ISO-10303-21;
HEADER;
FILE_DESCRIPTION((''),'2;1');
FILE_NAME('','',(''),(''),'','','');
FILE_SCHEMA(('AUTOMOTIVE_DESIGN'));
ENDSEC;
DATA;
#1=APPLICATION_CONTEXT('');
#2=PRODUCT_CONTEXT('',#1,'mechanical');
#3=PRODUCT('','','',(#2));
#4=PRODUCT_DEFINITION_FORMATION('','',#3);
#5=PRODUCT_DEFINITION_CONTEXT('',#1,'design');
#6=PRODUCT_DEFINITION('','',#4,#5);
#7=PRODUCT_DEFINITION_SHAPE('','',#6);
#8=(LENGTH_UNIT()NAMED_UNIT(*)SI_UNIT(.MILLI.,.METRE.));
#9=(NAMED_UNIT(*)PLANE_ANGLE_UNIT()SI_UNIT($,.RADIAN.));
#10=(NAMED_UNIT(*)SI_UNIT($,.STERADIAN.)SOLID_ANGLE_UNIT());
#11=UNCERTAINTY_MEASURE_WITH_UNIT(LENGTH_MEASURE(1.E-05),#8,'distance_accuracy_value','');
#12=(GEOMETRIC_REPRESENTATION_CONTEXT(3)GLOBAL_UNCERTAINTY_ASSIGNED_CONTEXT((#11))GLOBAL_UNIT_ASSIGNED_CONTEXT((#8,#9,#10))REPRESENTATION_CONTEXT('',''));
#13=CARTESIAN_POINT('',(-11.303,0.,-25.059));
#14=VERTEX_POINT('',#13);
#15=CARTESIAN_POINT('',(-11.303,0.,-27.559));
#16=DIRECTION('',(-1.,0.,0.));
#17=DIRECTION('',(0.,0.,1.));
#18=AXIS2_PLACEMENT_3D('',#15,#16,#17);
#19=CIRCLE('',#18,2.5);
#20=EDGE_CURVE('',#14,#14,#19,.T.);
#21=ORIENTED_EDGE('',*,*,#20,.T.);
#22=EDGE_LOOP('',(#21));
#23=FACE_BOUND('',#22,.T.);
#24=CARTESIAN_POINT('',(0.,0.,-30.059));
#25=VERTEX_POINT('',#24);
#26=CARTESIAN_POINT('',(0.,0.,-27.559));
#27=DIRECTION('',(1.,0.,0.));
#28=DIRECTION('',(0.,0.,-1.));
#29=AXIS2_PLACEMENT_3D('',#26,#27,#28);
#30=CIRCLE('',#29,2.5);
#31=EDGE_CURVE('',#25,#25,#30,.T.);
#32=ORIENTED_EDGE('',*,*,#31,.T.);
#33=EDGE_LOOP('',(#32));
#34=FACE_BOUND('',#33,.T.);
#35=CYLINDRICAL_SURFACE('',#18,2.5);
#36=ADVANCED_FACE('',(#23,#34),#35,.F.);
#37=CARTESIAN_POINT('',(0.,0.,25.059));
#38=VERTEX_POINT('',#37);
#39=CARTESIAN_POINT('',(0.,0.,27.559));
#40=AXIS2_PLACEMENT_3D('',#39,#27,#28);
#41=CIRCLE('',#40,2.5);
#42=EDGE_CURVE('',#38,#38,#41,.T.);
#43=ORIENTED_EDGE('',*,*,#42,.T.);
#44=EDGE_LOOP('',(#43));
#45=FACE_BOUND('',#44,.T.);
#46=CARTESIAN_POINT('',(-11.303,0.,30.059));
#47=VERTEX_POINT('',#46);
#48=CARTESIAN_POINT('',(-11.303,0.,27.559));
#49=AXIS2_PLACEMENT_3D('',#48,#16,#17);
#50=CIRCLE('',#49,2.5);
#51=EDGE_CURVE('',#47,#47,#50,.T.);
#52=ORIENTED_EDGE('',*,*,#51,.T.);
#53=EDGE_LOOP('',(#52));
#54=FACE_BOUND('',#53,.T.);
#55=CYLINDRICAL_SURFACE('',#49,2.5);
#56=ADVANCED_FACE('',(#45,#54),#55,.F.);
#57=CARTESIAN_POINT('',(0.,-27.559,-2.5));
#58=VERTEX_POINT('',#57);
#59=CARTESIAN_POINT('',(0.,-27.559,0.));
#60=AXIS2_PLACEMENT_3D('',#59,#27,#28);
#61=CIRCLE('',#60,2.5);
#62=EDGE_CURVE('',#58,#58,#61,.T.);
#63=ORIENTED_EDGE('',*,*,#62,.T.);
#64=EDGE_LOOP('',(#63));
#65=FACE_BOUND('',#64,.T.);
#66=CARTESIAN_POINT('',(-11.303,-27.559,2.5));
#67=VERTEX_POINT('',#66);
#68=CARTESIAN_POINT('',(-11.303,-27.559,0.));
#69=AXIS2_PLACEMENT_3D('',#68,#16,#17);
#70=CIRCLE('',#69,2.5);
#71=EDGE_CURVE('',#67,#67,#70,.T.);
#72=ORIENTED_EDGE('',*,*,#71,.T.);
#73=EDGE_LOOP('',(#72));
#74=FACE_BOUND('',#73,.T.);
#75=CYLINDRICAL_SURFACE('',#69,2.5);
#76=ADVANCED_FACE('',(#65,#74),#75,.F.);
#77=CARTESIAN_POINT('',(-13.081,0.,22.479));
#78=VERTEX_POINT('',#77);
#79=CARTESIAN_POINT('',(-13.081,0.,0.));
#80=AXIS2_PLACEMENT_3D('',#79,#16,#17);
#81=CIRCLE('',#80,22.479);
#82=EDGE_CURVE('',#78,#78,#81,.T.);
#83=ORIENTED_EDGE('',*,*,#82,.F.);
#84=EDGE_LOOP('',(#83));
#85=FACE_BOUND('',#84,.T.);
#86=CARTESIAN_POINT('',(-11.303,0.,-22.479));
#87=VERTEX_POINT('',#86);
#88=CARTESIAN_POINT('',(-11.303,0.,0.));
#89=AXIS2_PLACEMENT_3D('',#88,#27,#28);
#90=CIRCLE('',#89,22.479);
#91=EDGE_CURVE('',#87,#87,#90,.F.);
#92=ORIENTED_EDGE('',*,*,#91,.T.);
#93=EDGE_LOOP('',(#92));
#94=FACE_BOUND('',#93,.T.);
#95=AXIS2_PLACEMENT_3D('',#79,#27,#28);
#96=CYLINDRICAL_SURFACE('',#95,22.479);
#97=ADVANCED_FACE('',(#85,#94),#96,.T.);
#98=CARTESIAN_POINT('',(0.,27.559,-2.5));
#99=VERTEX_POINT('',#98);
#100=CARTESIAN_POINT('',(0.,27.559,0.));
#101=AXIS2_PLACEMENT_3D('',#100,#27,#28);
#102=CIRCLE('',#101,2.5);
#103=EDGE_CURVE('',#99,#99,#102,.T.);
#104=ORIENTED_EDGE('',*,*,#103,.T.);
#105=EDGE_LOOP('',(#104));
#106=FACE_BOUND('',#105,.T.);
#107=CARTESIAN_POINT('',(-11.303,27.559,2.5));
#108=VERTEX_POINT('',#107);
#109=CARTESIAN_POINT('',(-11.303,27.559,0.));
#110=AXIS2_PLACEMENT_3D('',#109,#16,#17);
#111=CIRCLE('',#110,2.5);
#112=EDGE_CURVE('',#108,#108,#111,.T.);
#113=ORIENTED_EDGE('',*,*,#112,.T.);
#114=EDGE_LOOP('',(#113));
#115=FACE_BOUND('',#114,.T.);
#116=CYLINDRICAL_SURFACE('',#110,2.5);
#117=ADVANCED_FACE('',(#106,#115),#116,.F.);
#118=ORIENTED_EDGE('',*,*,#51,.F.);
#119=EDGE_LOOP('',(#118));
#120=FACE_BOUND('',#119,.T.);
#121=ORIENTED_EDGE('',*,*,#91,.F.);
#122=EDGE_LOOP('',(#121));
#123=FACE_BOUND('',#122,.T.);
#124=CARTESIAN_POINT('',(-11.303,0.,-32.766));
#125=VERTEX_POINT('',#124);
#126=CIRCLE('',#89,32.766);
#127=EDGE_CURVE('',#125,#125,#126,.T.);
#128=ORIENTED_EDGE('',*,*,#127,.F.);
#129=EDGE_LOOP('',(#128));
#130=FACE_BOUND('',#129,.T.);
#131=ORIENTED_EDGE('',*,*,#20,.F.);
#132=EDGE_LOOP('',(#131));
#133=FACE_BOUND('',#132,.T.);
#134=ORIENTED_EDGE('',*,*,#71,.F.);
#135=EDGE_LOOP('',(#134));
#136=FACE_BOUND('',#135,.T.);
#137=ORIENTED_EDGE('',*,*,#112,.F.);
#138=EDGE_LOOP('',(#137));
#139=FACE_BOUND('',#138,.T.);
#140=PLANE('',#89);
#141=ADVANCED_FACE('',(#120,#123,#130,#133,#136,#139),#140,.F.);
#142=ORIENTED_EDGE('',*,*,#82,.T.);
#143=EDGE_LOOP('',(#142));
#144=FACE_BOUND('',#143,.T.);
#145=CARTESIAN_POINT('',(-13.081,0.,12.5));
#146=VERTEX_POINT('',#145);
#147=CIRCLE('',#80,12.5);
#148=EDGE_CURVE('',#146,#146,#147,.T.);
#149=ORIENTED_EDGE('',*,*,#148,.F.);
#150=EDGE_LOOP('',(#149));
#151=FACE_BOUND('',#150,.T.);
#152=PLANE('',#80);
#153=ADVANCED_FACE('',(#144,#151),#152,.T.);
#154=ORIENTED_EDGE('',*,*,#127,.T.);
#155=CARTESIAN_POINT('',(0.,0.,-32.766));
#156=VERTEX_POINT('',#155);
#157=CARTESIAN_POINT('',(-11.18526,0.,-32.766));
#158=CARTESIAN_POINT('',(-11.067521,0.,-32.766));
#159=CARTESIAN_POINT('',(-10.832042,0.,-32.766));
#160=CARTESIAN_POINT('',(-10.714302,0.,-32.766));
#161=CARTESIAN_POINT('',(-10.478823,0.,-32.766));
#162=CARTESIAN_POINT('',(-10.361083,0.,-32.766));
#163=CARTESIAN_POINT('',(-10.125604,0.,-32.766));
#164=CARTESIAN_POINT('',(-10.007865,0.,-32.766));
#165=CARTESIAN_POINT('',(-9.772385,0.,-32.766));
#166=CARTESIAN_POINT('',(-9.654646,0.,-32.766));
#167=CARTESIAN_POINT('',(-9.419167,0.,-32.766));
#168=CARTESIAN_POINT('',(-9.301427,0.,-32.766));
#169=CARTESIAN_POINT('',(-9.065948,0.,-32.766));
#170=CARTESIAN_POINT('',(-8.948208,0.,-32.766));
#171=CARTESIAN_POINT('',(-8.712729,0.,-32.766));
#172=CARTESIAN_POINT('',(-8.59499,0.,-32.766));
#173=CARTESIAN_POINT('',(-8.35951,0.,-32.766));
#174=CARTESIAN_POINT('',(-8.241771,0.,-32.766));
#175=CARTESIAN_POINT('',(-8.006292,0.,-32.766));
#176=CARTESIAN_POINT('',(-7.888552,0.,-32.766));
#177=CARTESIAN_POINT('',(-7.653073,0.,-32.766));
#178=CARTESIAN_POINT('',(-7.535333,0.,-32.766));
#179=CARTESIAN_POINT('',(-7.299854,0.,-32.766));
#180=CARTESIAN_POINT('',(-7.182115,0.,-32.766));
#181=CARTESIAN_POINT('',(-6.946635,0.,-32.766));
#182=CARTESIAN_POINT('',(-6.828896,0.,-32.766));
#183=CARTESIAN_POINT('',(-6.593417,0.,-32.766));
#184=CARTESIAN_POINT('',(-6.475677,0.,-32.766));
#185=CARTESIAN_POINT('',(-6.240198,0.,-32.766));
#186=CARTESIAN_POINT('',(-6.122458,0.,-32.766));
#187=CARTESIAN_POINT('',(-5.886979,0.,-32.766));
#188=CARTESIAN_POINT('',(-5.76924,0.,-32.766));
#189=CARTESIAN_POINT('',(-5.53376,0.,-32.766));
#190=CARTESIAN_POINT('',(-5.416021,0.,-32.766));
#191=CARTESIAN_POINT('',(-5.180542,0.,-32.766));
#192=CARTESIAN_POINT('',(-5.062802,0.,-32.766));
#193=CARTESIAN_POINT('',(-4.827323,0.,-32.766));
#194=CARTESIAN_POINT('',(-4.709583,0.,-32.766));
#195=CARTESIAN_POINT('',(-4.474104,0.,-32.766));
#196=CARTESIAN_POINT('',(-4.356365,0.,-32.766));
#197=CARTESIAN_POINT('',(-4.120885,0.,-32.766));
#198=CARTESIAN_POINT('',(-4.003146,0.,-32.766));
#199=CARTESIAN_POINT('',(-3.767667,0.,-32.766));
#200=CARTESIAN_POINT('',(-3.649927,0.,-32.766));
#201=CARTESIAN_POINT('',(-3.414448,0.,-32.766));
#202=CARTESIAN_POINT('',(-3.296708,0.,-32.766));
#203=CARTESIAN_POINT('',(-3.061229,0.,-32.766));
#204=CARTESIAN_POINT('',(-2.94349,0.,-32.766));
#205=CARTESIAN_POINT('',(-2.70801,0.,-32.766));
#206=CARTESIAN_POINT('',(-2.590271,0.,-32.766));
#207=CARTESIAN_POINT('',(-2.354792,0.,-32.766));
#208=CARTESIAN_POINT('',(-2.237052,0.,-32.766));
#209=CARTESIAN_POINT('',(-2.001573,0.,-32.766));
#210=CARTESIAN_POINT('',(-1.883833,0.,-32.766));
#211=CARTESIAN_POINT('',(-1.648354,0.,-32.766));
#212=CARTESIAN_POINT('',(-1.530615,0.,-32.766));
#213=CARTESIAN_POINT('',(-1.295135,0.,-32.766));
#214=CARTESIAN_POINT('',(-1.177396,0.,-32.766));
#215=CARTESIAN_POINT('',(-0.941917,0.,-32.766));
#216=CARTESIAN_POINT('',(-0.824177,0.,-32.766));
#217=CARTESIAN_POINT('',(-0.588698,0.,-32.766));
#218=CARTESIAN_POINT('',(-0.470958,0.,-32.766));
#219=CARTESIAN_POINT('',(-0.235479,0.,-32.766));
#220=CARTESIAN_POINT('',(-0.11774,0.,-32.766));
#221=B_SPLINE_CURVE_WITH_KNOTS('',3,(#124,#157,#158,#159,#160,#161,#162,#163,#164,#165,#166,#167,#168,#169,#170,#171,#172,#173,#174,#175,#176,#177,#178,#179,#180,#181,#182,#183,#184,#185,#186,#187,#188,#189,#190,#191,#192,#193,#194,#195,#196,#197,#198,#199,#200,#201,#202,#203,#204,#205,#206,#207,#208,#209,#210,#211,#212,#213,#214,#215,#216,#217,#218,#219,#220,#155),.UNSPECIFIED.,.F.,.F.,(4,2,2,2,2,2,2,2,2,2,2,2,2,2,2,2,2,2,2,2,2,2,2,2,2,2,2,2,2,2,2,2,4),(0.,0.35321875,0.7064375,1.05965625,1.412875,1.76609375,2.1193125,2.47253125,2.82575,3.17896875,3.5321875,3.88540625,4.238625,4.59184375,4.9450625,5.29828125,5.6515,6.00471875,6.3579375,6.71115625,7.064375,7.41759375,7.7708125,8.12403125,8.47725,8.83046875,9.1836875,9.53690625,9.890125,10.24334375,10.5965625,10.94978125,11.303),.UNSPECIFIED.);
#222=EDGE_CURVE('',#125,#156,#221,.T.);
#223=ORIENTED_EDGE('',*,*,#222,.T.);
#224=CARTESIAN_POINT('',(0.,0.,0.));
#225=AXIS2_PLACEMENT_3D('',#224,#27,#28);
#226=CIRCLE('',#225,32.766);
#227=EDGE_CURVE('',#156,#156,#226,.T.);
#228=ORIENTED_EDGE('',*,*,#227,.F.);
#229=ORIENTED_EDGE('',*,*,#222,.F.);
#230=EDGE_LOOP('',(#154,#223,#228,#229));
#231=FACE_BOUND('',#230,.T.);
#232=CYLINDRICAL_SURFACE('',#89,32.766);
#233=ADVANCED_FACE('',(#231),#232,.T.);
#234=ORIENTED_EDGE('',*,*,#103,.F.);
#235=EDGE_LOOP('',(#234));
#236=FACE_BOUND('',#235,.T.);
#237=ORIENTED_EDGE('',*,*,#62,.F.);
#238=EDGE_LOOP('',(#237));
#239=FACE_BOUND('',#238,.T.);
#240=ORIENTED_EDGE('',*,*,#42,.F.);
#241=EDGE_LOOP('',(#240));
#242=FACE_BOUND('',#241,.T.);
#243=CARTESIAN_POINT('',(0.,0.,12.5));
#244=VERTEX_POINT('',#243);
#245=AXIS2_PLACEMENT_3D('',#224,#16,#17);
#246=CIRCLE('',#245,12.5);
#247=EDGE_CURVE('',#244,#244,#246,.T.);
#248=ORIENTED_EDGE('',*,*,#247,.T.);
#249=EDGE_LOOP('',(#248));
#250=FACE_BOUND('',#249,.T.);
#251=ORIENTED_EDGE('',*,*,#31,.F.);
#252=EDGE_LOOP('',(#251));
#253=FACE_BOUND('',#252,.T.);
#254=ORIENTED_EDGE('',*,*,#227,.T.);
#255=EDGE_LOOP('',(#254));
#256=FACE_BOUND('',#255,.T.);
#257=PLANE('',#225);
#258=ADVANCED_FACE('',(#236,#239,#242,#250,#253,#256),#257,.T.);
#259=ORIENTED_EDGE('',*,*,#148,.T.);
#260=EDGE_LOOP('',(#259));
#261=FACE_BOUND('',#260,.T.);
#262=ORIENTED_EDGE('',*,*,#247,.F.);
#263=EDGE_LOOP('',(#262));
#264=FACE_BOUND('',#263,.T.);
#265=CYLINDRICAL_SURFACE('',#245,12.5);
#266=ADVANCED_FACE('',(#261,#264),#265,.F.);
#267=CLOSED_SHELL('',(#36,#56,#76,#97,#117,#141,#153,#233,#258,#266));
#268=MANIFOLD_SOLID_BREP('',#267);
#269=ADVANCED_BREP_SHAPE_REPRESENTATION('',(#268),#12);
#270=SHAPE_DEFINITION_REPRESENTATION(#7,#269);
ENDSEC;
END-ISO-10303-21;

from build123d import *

# Parameters (mm, degrees)
SKETCH1_R             = 32.766
BOSS_EXTRUDE1_DEPTH   = 11.303
SKETCH2_R             = 22.479
BOSS_EXTRUDE2_DEPTH   = 1.778
SKETCH3_R             = 12.5
CUT_EXTRUDE1_DEPTH    = 49.149081746
M6_TAPPED_HOLE1_D     = 5
M6_TAPPED_HOLE1_DEPTH = 12.446
M6_TAPPED_HOLE1_TIP   = 1.502151548


with BuildPart() as part:
    # Sketch1 → Boss-Extrude1 (new body)
    with BuildSketch(Plane(origin=(0, 0, 0), x_dir=(0, 0, -1), z_dir=(1, 0, 0))):
        Circle(SKETCH1_R)
    extrude(amount=-BOSS_EXTRUDE1_DEPTH)

    # Sketch2 → Boss-Extrude2 (add)
    with BuildSketch(Plane.ZY.offset(11.303)):
        with Locations(Location((0, 0, 0), (0, 0, 180))):
            Circle(SKETCH2_R)
    extrude(amount=BOSS_EXTRUDE2_DEPTH)

    # Sketch3 → Cut-Extrude1 (cut, through all)
    with BuildSketch(Plane.ZY.offset(13.081)):
        Circle(SKETCH3_R)
    extrude(amount=-CUT_EXTRUDE1_DEPTH, mode=Mode.SUBTRACT)

    # M6 Tapped Hole1
    with Locations(Plane.ZY.offset(11.303)):
        with Locations((0, 27.559), (27.559, 0), (0, -27.559), (-27.559, 0)):
            Hole(M6_TAPPED_HOLE1_D / 2, depth=M6_TAPPED_HOLE1_DEPTH)
            with Locations((0, 0, -(M6_TAPPED_HOLE1_DEPTH + M6_TAPPED_HOLE1_TIP / 2))):  # 118° drill point
                Cone(0, M6_TAPPED_HOLE1_D / 2, M6_TAPPED_HOLE1_TIP, mode=Mode.SUBTRACT)


solid = part.part
